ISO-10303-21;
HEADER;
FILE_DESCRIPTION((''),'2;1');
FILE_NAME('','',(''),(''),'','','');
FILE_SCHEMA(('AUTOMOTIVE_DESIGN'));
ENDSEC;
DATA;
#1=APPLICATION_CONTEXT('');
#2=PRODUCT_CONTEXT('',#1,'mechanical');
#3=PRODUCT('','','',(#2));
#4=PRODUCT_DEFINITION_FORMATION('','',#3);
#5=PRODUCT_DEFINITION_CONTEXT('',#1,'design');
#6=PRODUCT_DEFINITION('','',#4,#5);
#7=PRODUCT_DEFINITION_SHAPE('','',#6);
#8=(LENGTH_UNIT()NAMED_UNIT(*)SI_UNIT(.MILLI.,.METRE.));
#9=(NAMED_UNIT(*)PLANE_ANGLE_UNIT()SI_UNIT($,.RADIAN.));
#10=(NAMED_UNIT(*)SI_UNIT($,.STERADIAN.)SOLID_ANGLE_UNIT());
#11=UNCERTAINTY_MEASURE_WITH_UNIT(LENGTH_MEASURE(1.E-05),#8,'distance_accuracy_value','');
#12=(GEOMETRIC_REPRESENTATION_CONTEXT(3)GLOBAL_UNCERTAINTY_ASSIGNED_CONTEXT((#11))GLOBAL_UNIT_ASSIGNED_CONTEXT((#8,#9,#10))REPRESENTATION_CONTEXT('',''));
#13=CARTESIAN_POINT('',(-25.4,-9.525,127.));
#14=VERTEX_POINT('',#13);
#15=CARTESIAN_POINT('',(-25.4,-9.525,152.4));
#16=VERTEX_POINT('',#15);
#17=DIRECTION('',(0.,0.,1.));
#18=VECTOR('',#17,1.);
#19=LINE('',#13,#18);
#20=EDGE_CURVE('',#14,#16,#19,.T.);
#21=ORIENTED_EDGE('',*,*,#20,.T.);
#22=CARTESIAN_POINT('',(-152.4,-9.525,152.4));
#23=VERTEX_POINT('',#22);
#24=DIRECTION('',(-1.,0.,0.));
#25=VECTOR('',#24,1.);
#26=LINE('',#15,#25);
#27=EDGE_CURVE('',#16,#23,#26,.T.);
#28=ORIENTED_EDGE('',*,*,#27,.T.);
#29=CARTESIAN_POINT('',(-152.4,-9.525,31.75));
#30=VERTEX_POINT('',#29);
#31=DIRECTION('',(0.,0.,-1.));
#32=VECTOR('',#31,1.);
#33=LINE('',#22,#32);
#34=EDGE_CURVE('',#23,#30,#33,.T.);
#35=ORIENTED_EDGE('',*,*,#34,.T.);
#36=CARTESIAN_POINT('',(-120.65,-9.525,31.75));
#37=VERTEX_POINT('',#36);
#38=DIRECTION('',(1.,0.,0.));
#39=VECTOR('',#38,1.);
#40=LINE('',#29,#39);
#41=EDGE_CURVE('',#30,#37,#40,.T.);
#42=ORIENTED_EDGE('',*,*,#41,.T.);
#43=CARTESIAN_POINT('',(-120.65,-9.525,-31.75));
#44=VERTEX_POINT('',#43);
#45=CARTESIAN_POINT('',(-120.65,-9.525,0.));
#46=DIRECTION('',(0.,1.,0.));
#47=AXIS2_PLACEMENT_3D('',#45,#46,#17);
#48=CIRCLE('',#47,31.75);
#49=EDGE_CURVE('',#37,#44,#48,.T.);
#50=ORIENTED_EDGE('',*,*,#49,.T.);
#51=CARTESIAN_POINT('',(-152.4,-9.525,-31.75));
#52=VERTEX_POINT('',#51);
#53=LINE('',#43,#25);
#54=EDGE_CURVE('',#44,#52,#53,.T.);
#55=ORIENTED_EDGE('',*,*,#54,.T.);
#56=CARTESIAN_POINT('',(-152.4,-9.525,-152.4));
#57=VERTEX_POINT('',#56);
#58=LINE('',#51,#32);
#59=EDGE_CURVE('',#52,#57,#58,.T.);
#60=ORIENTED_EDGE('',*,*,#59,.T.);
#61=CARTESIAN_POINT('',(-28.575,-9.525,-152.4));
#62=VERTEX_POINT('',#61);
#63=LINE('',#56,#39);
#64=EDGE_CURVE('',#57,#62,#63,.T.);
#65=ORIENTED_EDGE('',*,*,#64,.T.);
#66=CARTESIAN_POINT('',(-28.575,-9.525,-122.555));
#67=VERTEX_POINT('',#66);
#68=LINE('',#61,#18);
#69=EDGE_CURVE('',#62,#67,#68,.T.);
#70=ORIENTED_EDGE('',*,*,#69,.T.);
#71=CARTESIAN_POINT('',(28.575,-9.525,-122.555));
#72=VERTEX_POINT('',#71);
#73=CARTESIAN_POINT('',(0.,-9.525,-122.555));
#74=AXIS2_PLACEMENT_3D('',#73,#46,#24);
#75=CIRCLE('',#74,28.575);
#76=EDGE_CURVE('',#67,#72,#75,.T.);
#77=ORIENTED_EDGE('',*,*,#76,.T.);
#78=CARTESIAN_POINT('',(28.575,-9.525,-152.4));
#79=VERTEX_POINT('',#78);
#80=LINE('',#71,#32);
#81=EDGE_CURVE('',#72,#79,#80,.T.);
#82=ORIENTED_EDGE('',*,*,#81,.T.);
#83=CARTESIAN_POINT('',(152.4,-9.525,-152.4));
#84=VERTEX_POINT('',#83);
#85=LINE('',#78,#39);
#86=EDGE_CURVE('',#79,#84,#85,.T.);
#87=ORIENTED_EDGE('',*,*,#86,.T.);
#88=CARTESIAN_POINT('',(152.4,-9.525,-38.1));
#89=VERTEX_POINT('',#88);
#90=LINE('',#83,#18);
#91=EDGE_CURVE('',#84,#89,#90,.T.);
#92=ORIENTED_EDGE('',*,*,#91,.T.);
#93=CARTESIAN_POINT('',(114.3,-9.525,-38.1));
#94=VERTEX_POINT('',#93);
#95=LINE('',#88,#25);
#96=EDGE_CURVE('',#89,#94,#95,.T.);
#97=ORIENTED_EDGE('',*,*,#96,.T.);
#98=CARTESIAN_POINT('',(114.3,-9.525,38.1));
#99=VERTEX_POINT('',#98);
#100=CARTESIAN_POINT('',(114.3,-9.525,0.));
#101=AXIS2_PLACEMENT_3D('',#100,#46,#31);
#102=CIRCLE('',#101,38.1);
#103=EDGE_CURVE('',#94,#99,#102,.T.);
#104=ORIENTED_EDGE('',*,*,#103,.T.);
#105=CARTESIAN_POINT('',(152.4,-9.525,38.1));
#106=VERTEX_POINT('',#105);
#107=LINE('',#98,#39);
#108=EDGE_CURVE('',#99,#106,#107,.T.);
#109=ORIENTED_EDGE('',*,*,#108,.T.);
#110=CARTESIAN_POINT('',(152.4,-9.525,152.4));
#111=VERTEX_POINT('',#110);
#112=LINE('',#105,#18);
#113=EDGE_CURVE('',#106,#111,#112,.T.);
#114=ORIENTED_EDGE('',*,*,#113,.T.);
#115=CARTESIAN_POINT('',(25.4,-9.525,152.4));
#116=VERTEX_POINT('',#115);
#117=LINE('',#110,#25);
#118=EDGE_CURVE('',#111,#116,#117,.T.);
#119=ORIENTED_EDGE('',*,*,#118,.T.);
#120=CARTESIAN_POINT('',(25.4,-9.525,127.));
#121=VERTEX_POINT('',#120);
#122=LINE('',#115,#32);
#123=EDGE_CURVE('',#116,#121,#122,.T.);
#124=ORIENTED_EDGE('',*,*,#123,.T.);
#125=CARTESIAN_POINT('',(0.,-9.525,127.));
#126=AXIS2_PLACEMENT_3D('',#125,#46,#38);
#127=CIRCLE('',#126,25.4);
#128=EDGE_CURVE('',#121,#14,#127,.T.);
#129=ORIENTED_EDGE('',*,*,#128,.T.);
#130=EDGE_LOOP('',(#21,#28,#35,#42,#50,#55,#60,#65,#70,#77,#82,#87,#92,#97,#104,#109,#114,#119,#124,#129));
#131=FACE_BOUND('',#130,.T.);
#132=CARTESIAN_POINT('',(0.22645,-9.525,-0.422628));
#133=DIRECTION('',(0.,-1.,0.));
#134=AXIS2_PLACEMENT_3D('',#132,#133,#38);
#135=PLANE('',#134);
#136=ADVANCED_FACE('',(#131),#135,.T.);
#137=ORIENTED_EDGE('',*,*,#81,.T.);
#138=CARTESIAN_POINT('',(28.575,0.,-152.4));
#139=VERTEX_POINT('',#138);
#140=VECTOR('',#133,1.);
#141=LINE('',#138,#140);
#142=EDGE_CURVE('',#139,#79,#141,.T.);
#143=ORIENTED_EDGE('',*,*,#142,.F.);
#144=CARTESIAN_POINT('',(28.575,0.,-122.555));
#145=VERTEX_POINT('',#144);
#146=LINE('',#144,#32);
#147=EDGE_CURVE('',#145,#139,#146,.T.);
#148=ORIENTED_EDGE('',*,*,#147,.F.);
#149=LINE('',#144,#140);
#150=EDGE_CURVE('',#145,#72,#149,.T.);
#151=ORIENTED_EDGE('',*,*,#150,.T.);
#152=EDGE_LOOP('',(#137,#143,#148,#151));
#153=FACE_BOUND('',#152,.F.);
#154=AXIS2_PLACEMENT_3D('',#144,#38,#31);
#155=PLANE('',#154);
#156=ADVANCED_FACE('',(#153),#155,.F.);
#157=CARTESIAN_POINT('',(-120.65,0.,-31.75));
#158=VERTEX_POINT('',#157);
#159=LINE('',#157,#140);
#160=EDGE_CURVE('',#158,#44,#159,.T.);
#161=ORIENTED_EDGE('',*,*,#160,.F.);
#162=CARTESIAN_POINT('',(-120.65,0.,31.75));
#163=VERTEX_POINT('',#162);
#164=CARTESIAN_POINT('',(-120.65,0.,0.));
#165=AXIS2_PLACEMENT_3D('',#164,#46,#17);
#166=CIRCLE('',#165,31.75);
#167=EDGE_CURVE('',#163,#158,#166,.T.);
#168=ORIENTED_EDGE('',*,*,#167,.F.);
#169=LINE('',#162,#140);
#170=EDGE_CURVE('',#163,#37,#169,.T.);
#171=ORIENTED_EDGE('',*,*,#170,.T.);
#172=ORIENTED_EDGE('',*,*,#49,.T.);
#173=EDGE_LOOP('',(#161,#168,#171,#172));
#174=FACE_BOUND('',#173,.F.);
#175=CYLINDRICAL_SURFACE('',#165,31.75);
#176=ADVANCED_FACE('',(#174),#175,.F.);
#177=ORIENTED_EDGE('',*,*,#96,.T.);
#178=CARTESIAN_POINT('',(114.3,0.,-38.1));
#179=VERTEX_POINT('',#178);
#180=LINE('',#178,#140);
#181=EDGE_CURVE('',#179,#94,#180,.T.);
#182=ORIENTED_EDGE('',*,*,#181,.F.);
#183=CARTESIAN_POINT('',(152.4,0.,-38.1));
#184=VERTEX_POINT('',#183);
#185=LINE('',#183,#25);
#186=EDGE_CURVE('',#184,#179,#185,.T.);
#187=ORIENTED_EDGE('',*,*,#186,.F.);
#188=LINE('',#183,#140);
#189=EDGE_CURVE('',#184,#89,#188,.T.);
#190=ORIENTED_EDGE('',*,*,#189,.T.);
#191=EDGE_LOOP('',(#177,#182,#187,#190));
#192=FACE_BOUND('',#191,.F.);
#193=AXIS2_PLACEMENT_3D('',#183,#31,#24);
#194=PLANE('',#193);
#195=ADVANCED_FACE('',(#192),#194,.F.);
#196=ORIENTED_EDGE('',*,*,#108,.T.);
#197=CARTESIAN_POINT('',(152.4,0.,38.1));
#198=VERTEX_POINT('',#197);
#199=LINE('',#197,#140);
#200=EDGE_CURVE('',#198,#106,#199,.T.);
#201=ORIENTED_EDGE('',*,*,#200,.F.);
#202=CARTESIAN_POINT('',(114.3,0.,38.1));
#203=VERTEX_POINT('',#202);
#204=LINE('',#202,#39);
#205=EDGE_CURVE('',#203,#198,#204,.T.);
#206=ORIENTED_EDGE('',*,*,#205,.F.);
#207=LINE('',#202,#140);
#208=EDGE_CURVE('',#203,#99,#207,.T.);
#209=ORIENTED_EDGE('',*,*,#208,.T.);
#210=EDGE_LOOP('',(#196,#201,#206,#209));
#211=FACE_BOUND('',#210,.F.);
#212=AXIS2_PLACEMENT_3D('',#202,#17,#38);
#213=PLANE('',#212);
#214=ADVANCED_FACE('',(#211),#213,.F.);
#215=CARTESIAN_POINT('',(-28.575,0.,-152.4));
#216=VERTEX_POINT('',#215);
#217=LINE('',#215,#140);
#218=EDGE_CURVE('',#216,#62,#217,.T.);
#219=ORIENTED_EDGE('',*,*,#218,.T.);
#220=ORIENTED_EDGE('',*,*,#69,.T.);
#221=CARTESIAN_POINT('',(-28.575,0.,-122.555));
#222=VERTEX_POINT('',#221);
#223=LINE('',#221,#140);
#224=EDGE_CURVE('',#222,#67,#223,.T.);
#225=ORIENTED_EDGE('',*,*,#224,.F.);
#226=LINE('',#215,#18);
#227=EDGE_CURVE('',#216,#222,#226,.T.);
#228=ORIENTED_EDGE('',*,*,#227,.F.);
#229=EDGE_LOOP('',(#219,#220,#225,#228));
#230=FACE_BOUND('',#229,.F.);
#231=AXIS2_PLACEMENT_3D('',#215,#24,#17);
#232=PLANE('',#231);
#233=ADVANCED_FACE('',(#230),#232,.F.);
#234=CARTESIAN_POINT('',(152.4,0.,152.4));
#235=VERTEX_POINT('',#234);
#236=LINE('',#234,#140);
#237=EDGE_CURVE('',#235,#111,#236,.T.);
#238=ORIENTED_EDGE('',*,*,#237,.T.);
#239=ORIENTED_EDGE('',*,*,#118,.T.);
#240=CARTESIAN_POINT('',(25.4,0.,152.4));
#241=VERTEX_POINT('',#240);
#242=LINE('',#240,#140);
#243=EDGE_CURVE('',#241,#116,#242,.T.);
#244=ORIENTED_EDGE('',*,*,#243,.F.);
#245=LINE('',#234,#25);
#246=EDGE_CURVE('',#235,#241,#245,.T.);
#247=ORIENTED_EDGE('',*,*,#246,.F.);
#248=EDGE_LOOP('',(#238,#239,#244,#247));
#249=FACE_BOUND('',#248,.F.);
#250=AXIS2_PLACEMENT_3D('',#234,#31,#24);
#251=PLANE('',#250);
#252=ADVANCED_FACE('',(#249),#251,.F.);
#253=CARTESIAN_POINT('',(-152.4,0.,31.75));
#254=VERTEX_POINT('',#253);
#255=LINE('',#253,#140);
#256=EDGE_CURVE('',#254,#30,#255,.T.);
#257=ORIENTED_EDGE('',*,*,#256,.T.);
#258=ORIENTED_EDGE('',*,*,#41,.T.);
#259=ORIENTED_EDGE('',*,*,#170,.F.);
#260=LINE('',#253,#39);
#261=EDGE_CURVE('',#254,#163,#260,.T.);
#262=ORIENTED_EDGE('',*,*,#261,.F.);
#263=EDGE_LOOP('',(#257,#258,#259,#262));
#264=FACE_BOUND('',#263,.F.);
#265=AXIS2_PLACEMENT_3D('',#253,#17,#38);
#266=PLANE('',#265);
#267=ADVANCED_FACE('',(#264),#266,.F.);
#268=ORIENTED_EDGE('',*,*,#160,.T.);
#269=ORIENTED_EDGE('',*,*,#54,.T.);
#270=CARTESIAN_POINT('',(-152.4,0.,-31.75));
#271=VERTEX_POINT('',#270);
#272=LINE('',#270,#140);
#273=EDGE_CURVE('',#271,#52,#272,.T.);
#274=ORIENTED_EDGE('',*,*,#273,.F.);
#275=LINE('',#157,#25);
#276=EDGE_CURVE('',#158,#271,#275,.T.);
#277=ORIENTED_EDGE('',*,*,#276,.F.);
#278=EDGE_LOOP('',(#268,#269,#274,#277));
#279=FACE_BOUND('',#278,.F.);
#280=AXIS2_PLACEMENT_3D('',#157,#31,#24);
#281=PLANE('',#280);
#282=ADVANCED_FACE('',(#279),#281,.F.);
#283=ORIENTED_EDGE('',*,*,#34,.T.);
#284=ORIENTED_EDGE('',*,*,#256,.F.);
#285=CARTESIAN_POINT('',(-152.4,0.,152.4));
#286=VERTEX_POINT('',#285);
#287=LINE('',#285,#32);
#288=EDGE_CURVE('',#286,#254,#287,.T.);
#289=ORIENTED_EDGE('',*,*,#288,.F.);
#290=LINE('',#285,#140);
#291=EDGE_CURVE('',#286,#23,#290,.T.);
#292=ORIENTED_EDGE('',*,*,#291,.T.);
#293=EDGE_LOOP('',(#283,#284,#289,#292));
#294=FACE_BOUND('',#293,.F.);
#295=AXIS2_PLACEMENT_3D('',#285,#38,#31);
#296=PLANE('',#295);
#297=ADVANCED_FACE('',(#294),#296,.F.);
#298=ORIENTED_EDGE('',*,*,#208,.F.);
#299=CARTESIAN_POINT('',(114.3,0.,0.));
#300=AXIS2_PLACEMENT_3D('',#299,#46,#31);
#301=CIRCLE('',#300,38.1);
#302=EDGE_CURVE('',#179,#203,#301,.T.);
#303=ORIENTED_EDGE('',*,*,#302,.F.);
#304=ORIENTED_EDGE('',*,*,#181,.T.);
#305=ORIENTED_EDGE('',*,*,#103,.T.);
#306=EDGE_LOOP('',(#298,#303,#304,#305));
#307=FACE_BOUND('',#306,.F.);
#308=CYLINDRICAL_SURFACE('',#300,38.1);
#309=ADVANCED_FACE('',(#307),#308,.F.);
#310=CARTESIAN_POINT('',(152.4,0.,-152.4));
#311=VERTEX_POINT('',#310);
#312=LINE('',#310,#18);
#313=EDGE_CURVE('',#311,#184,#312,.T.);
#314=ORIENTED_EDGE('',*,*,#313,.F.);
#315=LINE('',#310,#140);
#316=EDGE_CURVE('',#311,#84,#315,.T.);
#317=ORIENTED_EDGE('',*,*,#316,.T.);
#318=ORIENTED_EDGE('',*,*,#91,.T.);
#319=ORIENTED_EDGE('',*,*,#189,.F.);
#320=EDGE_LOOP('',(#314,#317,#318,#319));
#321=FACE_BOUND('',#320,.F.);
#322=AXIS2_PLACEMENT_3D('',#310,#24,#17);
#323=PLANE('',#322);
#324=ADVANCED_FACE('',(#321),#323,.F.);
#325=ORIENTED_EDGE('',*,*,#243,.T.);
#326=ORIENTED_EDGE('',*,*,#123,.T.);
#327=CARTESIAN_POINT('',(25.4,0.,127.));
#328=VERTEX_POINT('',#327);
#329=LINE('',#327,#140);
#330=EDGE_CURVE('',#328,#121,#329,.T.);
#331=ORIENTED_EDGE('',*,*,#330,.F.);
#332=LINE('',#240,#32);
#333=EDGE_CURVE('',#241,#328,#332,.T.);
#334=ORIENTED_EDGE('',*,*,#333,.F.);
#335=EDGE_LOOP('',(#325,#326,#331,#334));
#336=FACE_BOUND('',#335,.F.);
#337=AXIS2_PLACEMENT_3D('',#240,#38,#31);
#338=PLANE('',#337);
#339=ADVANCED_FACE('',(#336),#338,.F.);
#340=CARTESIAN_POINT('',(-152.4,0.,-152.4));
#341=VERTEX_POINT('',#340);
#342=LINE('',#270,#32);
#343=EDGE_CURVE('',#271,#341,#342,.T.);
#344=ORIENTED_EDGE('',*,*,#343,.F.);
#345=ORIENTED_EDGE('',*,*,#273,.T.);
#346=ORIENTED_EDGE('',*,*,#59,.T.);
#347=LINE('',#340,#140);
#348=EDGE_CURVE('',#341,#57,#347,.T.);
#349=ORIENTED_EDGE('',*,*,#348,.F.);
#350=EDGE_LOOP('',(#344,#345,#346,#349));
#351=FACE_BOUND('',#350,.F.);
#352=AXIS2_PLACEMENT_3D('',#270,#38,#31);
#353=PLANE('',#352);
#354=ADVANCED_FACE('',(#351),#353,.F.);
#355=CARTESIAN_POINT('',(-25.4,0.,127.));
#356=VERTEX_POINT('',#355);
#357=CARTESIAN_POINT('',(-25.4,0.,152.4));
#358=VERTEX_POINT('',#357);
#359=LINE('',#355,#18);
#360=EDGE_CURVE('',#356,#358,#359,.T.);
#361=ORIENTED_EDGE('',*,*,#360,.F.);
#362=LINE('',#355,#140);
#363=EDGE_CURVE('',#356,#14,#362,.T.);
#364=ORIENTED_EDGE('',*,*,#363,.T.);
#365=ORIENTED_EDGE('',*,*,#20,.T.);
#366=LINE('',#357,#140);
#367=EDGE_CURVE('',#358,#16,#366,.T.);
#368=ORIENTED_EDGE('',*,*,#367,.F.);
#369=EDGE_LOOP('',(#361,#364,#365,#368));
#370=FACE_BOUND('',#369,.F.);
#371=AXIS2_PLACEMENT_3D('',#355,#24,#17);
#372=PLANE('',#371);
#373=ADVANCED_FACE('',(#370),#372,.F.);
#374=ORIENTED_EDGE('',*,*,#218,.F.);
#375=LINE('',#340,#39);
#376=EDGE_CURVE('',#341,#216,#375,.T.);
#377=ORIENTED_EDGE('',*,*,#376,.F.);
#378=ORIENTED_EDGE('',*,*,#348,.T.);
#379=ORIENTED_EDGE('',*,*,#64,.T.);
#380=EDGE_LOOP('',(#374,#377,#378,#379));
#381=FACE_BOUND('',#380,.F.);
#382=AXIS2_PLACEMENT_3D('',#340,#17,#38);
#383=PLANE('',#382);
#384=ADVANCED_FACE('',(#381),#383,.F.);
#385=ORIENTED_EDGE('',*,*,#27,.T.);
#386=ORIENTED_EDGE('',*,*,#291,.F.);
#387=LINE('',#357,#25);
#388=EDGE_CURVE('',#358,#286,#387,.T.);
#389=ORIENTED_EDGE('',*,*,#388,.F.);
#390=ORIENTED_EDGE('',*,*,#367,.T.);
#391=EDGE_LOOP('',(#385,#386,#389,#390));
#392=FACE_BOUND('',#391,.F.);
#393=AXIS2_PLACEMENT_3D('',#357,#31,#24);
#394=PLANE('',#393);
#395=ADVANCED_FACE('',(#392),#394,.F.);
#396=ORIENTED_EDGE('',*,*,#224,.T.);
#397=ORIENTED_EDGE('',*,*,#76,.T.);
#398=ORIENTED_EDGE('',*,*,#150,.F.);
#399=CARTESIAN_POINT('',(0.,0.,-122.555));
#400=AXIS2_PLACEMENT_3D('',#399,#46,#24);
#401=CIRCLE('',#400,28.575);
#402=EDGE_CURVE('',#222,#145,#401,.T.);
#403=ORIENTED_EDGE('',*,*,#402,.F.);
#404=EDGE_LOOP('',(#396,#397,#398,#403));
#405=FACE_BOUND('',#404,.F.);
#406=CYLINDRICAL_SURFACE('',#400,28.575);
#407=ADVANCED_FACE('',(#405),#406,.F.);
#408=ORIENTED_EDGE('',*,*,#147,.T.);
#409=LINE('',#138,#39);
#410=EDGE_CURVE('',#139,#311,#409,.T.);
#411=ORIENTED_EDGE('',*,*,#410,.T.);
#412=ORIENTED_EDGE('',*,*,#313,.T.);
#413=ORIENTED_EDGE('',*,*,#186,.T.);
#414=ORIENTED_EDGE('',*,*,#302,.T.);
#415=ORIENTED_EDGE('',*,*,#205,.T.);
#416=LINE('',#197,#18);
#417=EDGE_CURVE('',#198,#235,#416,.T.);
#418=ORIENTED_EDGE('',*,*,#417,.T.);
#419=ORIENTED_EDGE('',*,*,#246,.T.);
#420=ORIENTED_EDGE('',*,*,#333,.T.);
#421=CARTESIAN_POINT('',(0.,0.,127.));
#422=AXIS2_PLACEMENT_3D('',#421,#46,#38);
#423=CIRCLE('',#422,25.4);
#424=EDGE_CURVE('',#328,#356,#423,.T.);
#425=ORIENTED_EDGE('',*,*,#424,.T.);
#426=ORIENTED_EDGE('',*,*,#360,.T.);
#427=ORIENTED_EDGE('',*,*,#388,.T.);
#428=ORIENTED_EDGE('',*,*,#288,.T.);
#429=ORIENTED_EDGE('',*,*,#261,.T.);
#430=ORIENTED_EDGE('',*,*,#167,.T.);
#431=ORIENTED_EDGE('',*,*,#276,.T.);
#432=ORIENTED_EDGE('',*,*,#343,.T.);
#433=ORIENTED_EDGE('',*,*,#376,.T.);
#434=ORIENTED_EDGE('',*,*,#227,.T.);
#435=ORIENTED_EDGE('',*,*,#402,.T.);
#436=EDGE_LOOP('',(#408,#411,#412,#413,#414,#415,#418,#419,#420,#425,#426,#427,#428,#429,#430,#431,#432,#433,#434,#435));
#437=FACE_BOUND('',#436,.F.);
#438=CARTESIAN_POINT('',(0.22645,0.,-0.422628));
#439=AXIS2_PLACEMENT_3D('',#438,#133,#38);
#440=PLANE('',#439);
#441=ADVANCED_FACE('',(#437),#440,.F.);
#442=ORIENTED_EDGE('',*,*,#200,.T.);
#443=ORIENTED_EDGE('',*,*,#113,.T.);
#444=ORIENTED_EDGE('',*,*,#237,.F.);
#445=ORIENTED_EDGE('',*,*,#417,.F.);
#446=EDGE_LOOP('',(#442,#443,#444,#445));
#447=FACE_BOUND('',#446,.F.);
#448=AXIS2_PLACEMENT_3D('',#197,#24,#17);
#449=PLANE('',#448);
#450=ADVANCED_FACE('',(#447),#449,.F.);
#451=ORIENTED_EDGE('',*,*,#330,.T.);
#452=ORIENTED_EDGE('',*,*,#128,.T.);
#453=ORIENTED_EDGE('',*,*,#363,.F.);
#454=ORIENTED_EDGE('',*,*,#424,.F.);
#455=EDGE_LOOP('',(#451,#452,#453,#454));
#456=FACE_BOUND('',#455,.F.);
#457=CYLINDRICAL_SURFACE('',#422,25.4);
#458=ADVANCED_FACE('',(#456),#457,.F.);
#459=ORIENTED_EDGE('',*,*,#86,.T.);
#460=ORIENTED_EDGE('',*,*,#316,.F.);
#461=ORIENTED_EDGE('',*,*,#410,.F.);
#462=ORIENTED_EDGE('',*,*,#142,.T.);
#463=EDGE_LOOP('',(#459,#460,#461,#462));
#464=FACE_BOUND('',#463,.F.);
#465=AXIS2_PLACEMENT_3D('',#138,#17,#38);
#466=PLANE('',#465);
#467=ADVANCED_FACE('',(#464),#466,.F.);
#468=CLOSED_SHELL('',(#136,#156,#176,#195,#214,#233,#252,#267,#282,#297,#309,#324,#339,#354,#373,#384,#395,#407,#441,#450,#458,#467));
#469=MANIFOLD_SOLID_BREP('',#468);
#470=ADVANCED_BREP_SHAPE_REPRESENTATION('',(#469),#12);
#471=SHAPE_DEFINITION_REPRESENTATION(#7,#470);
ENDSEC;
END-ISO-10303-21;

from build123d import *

# Parameters (mm, degrees)
F1_DEPTH = 9.525


with BuildPart() as f1:
    # F0 (on Front) → F1 (new body)
    with BuildSketch(Plane.XZ):
        with BuildLine():
            Line((152.4, 38.1), (152.4, 152.4))
            Line((152.4, 152.4), (25.4, 152.4))
            Line((25.4, 152.4), (25.4, 127))
            ThreePointArc((25.4, 127), (0, 101.6), (-25.4, 127))
            Line((-25.4, 127), (-25.4, 152.4))
            Line((-25.4, 152.4), (-152.4, 152.4))
            Line((-152.4, 152.4), (-152.4, 31.75))
            Line((-152.4, 31.75), (-120.65, 31.75))
            ThreePointArc((-120.65, 31.75), (-88.9, 0), (-120.65, -31.75))
            Line((-120.65, -31.75), (-152.4, -31.75))
            Line((-152.4, -31.75), (-152.4, -152.4))
            Line((-152.4, -152.4), (-28.575, -152.4))
            Line((-28.575, -152.4), (-28.575, -122.555))
            ThreePointArc((-28.575, -122.555), (0, -93.98), (28.575, -122.555))
            Line((28.575, -122.555), (28.575, -152.4))
            Line((28.575, -152.4), (152.4, -152.4))
            Line((152.4, -152.4), (152.4, -38.1))
            Line((152.4, -38.1), (114.3, -38.1))
            ThreePointArc((114.3, -38.1), (76.2, 0), (114.3, 38.1))
            Line((114.3, 38.1), (152.4, 38.1))
        make_face()
    extrude(amount=F1_DEPTH)


solid = f1.part
